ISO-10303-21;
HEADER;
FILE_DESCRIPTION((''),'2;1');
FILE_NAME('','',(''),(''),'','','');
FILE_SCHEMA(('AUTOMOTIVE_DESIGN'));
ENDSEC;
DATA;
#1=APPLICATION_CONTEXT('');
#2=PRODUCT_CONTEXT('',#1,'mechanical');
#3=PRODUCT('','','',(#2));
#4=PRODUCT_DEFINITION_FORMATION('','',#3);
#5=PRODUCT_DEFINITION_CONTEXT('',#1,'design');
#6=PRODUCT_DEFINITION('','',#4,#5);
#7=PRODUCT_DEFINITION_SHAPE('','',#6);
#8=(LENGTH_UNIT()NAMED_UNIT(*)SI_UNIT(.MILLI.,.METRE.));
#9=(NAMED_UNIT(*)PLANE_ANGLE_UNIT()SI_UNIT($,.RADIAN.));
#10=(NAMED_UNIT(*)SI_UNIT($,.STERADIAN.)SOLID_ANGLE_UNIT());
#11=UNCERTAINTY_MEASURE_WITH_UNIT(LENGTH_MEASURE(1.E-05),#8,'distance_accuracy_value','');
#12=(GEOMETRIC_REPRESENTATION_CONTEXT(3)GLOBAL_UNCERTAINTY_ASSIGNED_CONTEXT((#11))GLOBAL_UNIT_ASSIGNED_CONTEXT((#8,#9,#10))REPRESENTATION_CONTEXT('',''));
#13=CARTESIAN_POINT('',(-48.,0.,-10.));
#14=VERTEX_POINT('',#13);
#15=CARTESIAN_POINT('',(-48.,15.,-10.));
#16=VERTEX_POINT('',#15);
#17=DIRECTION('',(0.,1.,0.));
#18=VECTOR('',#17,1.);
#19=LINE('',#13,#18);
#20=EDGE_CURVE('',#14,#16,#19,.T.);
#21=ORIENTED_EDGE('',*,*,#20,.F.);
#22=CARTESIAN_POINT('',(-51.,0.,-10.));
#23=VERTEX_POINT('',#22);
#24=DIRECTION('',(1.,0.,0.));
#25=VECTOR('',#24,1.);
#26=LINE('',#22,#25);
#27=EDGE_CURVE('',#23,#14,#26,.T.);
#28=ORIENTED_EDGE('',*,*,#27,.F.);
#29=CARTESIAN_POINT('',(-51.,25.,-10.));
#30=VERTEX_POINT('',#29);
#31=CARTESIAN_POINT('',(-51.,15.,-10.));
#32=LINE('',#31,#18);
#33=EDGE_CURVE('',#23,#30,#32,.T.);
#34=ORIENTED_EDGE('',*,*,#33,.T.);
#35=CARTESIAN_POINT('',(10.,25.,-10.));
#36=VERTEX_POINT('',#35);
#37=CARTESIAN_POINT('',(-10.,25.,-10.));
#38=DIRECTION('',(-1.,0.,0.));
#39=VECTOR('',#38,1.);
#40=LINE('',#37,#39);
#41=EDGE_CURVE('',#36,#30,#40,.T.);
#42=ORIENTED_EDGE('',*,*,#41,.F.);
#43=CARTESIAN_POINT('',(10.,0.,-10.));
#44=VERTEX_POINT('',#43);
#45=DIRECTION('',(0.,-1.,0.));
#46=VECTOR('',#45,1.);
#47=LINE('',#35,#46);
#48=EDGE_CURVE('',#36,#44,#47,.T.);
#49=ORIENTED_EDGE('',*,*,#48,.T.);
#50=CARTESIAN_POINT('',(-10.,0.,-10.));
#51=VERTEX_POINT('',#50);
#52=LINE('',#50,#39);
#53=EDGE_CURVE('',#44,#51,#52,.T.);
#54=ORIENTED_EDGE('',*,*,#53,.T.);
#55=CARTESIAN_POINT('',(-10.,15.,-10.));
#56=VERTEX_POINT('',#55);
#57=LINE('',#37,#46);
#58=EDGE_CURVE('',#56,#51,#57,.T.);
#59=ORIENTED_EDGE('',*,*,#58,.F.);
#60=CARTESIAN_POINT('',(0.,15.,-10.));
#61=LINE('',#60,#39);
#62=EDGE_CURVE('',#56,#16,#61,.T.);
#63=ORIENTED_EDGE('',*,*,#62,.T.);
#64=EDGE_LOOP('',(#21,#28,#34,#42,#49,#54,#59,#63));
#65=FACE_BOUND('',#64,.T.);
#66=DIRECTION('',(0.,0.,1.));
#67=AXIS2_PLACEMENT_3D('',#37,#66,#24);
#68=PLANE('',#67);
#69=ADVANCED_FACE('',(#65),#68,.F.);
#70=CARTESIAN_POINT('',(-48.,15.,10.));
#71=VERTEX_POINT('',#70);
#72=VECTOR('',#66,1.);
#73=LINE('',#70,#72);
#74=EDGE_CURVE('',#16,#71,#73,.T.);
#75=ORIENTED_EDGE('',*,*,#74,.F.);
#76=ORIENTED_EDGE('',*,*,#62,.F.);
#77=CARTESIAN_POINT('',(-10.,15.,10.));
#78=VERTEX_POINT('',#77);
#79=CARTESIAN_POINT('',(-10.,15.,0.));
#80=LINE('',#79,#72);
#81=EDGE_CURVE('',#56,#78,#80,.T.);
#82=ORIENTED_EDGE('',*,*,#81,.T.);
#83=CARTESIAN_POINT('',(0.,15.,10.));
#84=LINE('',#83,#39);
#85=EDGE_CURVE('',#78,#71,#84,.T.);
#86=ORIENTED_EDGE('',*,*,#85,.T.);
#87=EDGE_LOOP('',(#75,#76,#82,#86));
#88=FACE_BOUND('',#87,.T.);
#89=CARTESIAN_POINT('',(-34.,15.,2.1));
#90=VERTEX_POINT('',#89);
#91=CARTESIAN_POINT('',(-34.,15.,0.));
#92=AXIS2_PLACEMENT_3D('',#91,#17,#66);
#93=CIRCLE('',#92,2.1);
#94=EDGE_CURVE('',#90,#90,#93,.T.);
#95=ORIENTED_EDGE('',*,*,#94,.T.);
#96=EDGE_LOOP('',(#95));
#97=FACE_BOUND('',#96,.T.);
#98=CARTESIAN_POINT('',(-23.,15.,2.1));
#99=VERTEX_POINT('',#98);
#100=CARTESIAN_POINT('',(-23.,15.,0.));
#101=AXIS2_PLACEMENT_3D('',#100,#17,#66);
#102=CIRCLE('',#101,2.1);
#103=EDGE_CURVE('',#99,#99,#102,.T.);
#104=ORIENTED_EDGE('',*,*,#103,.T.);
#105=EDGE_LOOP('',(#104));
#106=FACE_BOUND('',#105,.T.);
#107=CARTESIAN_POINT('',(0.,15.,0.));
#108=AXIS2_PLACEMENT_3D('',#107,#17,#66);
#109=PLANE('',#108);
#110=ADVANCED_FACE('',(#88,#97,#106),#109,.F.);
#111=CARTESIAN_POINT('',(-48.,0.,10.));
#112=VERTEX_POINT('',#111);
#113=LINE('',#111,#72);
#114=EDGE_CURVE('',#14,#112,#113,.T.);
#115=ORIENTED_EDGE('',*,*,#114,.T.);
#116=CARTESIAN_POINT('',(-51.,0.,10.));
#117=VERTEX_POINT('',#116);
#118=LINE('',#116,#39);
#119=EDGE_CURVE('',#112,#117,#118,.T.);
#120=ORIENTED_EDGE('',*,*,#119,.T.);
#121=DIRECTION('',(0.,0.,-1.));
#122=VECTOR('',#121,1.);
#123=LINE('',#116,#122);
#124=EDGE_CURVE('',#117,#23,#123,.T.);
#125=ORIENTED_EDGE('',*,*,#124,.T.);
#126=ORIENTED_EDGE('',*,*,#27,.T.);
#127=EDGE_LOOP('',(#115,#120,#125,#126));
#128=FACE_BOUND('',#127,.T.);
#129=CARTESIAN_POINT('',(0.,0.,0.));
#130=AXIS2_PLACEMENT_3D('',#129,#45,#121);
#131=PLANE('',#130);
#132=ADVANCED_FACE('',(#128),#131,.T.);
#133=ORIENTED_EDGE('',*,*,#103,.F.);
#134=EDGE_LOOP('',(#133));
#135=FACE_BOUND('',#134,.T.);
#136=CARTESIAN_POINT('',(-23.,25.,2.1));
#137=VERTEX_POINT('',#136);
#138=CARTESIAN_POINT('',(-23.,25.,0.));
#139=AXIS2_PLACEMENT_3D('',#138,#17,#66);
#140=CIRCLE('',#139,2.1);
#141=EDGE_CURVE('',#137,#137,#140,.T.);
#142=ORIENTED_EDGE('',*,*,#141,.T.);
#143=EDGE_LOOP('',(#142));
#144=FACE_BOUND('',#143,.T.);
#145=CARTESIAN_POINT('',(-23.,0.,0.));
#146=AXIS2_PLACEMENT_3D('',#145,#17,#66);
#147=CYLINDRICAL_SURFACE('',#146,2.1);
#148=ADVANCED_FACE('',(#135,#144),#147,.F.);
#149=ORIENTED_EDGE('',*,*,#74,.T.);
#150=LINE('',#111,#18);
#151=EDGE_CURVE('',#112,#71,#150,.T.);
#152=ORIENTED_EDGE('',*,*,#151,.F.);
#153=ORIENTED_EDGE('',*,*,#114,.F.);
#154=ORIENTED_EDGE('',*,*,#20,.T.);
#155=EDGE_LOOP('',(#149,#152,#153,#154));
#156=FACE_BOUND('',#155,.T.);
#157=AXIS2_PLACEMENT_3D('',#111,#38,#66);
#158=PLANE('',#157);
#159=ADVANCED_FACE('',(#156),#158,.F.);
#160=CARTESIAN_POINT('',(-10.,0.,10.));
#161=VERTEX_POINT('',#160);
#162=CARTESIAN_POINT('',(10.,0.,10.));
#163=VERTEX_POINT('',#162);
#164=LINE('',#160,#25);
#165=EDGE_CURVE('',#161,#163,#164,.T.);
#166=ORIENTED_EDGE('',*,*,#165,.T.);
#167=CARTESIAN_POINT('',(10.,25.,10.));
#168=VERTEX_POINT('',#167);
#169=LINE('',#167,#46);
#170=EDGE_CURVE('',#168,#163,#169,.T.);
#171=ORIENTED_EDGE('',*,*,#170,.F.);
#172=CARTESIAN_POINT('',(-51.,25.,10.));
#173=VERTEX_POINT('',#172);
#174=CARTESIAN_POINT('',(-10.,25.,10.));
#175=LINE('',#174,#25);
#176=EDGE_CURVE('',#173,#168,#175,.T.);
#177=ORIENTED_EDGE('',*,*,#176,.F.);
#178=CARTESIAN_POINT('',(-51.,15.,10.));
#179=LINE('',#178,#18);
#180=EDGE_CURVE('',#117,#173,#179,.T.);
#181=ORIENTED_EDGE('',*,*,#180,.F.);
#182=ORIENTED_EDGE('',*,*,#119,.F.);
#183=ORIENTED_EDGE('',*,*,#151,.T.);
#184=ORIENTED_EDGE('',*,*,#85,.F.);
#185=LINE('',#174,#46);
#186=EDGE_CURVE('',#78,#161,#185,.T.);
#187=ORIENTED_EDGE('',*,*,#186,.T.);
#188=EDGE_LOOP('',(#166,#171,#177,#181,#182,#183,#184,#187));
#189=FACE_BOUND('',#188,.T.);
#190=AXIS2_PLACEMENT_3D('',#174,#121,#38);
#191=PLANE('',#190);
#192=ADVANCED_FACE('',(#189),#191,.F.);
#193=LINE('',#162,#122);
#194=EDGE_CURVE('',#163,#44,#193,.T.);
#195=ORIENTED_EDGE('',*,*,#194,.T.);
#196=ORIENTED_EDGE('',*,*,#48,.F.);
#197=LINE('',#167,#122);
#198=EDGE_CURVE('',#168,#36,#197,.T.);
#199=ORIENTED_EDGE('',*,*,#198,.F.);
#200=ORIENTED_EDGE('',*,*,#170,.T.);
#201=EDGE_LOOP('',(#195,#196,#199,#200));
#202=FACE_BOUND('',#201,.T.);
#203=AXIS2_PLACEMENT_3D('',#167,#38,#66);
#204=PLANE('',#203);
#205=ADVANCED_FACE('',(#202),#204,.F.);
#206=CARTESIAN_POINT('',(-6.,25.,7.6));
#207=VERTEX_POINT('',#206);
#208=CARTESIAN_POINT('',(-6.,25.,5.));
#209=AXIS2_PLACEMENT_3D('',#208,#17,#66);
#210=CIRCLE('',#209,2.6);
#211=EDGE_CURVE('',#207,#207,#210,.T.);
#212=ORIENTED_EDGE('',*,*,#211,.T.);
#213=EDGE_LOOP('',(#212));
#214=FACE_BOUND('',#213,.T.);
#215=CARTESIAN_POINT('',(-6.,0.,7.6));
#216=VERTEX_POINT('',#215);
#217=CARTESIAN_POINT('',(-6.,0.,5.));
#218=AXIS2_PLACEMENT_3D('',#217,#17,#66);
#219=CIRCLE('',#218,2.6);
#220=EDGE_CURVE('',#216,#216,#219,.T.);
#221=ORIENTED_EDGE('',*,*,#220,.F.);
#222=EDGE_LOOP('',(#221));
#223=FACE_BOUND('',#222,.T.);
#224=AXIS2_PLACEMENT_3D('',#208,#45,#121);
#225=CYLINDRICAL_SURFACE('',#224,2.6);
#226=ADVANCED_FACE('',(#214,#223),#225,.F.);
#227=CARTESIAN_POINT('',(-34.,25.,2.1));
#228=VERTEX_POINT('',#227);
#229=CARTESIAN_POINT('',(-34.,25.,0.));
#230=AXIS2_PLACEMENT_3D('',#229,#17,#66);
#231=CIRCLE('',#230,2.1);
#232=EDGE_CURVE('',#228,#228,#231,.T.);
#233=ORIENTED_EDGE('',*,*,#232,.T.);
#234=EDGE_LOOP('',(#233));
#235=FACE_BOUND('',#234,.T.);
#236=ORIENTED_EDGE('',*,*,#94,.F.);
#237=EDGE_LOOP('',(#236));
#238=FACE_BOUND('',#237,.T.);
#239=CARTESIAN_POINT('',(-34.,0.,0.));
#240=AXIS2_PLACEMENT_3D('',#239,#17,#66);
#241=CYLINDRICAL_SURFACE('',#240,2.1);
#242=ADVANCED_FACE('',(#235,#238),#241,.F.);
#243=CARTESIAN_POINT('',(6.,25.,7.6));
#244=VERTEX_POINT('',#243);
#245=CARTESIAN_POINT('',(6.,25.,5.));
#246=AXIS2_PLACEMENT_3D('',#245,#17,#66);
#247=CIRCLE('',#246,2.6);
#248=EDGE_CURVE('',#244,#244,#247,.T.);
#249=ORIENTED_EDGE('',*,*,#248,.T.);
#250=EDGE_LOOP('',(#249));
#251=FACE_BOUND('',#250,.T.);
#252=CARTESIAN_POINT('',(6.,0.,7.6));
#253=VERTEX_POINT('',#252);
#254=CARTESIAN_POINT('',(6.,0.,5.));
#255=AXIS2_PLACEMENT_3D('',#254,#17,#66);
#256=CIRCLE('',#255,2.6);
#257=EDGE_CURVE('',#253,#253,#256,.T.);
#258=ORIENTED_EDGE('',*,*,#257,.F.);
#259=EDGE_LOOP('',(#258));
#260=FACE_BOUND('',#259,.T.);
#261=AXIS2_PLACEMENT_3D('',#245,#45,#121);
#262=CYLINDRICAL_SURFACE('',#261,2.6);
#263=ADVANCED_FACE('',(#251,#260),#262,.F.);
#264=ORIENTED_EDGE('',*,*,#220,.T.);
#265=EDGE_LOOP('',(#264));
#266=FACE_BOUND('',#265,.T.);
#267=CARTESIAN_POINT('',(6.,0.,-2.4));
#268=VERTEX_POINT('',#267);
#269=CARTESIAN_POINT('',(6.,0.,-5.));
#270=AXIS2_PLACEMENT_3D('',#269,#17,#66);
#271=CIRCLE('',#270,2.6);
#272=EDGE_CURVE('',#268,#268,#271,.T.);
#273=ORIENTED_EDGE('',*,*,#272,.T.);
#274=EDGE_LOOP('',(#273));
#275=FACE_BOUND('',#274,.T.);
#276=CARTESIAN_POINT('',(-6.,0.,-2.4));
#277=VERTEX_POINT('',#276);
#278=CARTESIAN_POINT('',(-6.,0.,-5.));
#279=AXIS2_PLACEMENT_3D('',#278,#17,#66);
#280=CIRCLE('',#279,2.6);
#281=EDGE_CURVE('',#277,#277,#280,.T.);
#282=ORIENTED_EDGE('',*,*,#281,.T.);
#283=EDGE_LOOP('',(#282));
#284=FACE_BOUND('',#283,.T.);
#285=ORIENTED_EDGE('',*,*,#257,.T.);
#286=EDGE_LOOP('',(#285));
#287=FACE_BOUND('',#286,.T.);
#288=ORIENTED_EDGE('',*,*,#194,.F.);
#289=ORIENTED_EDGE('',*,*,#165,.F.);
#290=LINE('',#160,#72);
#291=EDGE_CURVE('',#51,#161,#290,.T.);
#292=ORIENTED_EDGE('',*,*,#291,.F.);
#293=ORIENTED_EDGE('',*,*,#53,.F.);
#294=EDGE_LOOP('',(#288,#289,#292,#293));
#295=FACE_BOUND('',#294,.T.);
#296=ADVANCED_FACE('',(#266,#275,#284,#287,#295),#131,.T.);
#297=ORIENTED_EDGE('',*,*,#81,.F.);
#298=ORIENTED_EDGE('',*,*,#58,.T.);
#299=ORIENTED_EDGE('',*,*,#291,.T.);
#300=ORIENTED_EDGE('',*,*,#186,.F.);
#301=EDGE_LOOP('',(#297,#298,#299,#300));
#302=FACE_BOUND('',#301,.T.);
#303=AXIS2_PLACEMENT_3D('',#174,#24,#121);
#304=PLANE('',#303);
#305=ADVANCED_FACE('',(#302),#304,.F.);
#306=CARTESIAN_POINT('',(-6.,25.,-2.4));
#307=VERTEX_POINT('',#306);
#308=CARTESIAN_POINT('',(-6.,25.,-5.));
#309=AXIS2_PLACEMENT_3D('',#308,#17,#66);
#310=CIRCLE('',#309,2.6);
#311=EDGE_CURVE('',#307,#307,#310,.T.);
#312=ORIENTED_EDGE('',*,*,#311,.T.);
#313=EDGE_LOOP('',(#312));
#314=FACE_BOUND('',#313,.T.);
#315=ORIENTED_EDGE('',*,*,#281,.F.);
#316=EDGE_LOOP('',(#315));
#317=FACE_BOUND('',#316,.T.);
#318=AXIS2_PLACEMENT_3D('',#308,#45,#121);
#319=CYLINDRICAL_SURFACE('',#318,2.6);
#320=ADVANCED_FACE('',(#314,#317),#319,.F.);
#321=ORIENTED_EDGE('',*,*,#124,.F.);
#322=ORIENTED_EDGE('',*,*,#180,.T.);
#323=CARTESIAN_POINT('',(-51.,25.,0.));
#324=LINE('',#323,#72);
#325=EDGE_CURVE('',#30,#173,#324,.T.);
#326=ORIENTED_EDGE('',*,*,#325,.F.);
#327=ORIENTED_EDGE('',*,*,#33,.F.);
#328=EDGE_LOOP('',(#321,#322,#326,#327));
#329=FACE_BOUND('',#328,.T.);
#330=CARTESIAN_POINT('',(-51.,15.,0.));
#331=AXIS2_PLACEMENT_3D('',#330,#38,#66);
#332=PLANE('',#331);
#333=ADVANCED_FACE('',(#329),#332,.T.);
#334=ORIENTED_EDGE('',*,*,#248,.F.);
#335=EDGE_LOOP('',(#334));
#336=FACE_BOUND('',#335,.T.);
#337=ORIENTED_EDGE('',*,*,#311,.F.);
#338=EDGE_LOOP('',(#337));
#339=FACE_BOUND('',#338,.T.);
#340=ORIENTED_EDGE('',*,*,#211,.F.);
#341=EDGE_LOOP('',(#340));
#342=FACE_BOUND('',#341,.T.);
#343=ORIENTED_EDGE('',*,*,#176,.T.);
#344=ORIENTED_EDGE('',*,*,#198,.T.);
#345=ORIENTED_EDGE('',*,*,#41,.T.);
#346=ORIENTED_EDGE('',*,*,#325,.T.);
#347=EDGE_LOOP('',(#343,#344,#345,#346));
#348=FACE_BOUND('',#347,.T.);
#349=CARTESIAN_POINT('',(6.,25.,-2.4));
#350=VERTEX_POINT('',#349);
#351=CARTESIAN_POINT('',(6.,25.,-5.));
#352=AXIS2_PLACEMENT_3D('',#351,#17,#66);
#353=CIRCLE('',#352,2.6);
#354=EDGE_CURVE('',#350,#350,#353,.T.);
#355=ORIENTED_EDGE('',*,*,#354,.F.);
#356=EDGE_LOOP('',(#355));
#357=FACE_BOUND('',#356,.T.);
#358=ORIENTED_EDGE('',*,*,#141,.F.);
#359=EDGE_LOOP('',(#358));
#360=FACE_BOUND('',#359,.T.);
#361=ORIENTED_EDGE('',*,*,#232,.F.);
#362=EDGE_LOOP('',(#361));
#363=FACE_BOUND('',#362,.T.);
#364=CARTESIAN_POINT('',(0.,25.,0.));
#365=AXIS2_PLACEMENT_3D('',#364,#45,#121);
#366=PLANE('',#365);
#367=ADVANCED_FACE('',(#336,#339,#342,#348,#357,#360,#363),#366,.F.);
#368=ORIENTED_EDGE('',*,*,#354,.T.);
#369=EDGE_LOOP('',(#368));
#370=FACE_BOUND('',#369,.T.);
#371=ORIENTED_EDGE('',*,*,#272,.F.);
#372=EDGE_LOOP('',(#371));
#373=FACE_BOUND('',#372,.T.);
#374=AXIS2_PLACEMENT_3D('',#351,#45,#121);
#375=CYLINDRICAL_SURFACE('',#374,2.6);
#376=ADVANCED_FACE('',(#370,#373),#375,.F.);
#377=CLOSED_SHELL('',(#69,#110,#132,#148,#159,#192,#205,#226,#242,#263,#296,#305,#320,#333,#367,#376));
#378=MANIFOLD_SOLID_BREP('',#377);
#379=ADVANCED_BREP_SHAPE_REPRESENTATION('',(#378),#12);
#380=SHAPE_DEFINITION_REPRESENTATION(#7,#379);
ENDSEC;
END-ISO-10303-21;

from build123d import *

# Parameters (mm, degrees)
SKETCH_1_W          = 20
SKETCH_1_H          = 20
SKETCH_1_R          = 2.6
EXTRUDE_1_DEPTH     = 25
SKETCH_2_W          = 41
SKETCH_2_H          = 20
EXTRUDE_2_DEPTH     = 10
SKETCH_3_W          = 3
SKETCH_3_H          = 20
EXTRUDE_3_DEPTH     = 15
SKETCH_4_R          = 2.1
CUT_EXTRUDE_1_DEPTH = 58.671483421


with BuildPart() as part:
    # 草图1 → 凸台-拉伸1 (new body)
    with BuildSketch(Plane(origin=(0, 0, 0), x_dir=(1, 0, 0), z_dir=(0, 1, 0))):
        Rectangle(SKETCH_1_W, SKETCH_1_H)
        with Locations(Location((-6, 5, 0), (0, 0, 270))):
            Circle(SKETCH_1_R, mode=Mode.SUBTRACT)
        with Locations(Location((6, 5, 0), (0, 0, 270))):
            Circle(SKETCH_1_R, mode=Mode.SUBTRACT)
        with Locations(Location((-6, -5, 0), (0, 0, 270))):
            Circle(SKETCH_1_R, mode=Mode.SUBTRACT)
        with Locations(Location((6, -5, 0), (0, 0, 270))):
            Circle(SKETCH_1_R, mode=Mode.SUBTRACT)
    extrude(amount=EXTRUDE_1_DEPTH)

    # 草图2 → 凸台-拉伸2 (add)
    with BuildSketch(Plane(origin=(0, 25, 0), x_dir=(1, 0, 0), z_dir=(0, 1, 0))):
        with Locations((-30.5, 0)):
            Rectangle(SKETCH_2_W, SKETCH_2_H)
    extrude(amount=-EXTRUDE_2_DEPTH)

    # 草图3 → 凸台-拉伸3 (add)
    with BuildSketch(Plane.XZ.offset(-15)):
        with Locations((-49.5, 0)):
            Rectangle(SKETCH_3_W, SKETCH_3_H)
    extrude(amount=EXTRUDE_3_DEPTH)

    # 草图4 → 切除-拉伸1 (cut, through all)
    with BuildSketch(Plane(origin=(0, 25, 0), x_dir=(1, 0, 0), z_dir=(0, 1, 0))):
        with Locations(Location((-34, 0, 0), (0, 0, 270))):
            Circle(SKETCH_4_R)
        with Locations(Location((-23, 0, 0), (0, 0, 270))):
            Circle(SKETCH_4_R)
    extrude(amount=-CUT_EXTRUDE_1_DEPTH, mode=Mode.SUBTRACT)


solid = part.part
